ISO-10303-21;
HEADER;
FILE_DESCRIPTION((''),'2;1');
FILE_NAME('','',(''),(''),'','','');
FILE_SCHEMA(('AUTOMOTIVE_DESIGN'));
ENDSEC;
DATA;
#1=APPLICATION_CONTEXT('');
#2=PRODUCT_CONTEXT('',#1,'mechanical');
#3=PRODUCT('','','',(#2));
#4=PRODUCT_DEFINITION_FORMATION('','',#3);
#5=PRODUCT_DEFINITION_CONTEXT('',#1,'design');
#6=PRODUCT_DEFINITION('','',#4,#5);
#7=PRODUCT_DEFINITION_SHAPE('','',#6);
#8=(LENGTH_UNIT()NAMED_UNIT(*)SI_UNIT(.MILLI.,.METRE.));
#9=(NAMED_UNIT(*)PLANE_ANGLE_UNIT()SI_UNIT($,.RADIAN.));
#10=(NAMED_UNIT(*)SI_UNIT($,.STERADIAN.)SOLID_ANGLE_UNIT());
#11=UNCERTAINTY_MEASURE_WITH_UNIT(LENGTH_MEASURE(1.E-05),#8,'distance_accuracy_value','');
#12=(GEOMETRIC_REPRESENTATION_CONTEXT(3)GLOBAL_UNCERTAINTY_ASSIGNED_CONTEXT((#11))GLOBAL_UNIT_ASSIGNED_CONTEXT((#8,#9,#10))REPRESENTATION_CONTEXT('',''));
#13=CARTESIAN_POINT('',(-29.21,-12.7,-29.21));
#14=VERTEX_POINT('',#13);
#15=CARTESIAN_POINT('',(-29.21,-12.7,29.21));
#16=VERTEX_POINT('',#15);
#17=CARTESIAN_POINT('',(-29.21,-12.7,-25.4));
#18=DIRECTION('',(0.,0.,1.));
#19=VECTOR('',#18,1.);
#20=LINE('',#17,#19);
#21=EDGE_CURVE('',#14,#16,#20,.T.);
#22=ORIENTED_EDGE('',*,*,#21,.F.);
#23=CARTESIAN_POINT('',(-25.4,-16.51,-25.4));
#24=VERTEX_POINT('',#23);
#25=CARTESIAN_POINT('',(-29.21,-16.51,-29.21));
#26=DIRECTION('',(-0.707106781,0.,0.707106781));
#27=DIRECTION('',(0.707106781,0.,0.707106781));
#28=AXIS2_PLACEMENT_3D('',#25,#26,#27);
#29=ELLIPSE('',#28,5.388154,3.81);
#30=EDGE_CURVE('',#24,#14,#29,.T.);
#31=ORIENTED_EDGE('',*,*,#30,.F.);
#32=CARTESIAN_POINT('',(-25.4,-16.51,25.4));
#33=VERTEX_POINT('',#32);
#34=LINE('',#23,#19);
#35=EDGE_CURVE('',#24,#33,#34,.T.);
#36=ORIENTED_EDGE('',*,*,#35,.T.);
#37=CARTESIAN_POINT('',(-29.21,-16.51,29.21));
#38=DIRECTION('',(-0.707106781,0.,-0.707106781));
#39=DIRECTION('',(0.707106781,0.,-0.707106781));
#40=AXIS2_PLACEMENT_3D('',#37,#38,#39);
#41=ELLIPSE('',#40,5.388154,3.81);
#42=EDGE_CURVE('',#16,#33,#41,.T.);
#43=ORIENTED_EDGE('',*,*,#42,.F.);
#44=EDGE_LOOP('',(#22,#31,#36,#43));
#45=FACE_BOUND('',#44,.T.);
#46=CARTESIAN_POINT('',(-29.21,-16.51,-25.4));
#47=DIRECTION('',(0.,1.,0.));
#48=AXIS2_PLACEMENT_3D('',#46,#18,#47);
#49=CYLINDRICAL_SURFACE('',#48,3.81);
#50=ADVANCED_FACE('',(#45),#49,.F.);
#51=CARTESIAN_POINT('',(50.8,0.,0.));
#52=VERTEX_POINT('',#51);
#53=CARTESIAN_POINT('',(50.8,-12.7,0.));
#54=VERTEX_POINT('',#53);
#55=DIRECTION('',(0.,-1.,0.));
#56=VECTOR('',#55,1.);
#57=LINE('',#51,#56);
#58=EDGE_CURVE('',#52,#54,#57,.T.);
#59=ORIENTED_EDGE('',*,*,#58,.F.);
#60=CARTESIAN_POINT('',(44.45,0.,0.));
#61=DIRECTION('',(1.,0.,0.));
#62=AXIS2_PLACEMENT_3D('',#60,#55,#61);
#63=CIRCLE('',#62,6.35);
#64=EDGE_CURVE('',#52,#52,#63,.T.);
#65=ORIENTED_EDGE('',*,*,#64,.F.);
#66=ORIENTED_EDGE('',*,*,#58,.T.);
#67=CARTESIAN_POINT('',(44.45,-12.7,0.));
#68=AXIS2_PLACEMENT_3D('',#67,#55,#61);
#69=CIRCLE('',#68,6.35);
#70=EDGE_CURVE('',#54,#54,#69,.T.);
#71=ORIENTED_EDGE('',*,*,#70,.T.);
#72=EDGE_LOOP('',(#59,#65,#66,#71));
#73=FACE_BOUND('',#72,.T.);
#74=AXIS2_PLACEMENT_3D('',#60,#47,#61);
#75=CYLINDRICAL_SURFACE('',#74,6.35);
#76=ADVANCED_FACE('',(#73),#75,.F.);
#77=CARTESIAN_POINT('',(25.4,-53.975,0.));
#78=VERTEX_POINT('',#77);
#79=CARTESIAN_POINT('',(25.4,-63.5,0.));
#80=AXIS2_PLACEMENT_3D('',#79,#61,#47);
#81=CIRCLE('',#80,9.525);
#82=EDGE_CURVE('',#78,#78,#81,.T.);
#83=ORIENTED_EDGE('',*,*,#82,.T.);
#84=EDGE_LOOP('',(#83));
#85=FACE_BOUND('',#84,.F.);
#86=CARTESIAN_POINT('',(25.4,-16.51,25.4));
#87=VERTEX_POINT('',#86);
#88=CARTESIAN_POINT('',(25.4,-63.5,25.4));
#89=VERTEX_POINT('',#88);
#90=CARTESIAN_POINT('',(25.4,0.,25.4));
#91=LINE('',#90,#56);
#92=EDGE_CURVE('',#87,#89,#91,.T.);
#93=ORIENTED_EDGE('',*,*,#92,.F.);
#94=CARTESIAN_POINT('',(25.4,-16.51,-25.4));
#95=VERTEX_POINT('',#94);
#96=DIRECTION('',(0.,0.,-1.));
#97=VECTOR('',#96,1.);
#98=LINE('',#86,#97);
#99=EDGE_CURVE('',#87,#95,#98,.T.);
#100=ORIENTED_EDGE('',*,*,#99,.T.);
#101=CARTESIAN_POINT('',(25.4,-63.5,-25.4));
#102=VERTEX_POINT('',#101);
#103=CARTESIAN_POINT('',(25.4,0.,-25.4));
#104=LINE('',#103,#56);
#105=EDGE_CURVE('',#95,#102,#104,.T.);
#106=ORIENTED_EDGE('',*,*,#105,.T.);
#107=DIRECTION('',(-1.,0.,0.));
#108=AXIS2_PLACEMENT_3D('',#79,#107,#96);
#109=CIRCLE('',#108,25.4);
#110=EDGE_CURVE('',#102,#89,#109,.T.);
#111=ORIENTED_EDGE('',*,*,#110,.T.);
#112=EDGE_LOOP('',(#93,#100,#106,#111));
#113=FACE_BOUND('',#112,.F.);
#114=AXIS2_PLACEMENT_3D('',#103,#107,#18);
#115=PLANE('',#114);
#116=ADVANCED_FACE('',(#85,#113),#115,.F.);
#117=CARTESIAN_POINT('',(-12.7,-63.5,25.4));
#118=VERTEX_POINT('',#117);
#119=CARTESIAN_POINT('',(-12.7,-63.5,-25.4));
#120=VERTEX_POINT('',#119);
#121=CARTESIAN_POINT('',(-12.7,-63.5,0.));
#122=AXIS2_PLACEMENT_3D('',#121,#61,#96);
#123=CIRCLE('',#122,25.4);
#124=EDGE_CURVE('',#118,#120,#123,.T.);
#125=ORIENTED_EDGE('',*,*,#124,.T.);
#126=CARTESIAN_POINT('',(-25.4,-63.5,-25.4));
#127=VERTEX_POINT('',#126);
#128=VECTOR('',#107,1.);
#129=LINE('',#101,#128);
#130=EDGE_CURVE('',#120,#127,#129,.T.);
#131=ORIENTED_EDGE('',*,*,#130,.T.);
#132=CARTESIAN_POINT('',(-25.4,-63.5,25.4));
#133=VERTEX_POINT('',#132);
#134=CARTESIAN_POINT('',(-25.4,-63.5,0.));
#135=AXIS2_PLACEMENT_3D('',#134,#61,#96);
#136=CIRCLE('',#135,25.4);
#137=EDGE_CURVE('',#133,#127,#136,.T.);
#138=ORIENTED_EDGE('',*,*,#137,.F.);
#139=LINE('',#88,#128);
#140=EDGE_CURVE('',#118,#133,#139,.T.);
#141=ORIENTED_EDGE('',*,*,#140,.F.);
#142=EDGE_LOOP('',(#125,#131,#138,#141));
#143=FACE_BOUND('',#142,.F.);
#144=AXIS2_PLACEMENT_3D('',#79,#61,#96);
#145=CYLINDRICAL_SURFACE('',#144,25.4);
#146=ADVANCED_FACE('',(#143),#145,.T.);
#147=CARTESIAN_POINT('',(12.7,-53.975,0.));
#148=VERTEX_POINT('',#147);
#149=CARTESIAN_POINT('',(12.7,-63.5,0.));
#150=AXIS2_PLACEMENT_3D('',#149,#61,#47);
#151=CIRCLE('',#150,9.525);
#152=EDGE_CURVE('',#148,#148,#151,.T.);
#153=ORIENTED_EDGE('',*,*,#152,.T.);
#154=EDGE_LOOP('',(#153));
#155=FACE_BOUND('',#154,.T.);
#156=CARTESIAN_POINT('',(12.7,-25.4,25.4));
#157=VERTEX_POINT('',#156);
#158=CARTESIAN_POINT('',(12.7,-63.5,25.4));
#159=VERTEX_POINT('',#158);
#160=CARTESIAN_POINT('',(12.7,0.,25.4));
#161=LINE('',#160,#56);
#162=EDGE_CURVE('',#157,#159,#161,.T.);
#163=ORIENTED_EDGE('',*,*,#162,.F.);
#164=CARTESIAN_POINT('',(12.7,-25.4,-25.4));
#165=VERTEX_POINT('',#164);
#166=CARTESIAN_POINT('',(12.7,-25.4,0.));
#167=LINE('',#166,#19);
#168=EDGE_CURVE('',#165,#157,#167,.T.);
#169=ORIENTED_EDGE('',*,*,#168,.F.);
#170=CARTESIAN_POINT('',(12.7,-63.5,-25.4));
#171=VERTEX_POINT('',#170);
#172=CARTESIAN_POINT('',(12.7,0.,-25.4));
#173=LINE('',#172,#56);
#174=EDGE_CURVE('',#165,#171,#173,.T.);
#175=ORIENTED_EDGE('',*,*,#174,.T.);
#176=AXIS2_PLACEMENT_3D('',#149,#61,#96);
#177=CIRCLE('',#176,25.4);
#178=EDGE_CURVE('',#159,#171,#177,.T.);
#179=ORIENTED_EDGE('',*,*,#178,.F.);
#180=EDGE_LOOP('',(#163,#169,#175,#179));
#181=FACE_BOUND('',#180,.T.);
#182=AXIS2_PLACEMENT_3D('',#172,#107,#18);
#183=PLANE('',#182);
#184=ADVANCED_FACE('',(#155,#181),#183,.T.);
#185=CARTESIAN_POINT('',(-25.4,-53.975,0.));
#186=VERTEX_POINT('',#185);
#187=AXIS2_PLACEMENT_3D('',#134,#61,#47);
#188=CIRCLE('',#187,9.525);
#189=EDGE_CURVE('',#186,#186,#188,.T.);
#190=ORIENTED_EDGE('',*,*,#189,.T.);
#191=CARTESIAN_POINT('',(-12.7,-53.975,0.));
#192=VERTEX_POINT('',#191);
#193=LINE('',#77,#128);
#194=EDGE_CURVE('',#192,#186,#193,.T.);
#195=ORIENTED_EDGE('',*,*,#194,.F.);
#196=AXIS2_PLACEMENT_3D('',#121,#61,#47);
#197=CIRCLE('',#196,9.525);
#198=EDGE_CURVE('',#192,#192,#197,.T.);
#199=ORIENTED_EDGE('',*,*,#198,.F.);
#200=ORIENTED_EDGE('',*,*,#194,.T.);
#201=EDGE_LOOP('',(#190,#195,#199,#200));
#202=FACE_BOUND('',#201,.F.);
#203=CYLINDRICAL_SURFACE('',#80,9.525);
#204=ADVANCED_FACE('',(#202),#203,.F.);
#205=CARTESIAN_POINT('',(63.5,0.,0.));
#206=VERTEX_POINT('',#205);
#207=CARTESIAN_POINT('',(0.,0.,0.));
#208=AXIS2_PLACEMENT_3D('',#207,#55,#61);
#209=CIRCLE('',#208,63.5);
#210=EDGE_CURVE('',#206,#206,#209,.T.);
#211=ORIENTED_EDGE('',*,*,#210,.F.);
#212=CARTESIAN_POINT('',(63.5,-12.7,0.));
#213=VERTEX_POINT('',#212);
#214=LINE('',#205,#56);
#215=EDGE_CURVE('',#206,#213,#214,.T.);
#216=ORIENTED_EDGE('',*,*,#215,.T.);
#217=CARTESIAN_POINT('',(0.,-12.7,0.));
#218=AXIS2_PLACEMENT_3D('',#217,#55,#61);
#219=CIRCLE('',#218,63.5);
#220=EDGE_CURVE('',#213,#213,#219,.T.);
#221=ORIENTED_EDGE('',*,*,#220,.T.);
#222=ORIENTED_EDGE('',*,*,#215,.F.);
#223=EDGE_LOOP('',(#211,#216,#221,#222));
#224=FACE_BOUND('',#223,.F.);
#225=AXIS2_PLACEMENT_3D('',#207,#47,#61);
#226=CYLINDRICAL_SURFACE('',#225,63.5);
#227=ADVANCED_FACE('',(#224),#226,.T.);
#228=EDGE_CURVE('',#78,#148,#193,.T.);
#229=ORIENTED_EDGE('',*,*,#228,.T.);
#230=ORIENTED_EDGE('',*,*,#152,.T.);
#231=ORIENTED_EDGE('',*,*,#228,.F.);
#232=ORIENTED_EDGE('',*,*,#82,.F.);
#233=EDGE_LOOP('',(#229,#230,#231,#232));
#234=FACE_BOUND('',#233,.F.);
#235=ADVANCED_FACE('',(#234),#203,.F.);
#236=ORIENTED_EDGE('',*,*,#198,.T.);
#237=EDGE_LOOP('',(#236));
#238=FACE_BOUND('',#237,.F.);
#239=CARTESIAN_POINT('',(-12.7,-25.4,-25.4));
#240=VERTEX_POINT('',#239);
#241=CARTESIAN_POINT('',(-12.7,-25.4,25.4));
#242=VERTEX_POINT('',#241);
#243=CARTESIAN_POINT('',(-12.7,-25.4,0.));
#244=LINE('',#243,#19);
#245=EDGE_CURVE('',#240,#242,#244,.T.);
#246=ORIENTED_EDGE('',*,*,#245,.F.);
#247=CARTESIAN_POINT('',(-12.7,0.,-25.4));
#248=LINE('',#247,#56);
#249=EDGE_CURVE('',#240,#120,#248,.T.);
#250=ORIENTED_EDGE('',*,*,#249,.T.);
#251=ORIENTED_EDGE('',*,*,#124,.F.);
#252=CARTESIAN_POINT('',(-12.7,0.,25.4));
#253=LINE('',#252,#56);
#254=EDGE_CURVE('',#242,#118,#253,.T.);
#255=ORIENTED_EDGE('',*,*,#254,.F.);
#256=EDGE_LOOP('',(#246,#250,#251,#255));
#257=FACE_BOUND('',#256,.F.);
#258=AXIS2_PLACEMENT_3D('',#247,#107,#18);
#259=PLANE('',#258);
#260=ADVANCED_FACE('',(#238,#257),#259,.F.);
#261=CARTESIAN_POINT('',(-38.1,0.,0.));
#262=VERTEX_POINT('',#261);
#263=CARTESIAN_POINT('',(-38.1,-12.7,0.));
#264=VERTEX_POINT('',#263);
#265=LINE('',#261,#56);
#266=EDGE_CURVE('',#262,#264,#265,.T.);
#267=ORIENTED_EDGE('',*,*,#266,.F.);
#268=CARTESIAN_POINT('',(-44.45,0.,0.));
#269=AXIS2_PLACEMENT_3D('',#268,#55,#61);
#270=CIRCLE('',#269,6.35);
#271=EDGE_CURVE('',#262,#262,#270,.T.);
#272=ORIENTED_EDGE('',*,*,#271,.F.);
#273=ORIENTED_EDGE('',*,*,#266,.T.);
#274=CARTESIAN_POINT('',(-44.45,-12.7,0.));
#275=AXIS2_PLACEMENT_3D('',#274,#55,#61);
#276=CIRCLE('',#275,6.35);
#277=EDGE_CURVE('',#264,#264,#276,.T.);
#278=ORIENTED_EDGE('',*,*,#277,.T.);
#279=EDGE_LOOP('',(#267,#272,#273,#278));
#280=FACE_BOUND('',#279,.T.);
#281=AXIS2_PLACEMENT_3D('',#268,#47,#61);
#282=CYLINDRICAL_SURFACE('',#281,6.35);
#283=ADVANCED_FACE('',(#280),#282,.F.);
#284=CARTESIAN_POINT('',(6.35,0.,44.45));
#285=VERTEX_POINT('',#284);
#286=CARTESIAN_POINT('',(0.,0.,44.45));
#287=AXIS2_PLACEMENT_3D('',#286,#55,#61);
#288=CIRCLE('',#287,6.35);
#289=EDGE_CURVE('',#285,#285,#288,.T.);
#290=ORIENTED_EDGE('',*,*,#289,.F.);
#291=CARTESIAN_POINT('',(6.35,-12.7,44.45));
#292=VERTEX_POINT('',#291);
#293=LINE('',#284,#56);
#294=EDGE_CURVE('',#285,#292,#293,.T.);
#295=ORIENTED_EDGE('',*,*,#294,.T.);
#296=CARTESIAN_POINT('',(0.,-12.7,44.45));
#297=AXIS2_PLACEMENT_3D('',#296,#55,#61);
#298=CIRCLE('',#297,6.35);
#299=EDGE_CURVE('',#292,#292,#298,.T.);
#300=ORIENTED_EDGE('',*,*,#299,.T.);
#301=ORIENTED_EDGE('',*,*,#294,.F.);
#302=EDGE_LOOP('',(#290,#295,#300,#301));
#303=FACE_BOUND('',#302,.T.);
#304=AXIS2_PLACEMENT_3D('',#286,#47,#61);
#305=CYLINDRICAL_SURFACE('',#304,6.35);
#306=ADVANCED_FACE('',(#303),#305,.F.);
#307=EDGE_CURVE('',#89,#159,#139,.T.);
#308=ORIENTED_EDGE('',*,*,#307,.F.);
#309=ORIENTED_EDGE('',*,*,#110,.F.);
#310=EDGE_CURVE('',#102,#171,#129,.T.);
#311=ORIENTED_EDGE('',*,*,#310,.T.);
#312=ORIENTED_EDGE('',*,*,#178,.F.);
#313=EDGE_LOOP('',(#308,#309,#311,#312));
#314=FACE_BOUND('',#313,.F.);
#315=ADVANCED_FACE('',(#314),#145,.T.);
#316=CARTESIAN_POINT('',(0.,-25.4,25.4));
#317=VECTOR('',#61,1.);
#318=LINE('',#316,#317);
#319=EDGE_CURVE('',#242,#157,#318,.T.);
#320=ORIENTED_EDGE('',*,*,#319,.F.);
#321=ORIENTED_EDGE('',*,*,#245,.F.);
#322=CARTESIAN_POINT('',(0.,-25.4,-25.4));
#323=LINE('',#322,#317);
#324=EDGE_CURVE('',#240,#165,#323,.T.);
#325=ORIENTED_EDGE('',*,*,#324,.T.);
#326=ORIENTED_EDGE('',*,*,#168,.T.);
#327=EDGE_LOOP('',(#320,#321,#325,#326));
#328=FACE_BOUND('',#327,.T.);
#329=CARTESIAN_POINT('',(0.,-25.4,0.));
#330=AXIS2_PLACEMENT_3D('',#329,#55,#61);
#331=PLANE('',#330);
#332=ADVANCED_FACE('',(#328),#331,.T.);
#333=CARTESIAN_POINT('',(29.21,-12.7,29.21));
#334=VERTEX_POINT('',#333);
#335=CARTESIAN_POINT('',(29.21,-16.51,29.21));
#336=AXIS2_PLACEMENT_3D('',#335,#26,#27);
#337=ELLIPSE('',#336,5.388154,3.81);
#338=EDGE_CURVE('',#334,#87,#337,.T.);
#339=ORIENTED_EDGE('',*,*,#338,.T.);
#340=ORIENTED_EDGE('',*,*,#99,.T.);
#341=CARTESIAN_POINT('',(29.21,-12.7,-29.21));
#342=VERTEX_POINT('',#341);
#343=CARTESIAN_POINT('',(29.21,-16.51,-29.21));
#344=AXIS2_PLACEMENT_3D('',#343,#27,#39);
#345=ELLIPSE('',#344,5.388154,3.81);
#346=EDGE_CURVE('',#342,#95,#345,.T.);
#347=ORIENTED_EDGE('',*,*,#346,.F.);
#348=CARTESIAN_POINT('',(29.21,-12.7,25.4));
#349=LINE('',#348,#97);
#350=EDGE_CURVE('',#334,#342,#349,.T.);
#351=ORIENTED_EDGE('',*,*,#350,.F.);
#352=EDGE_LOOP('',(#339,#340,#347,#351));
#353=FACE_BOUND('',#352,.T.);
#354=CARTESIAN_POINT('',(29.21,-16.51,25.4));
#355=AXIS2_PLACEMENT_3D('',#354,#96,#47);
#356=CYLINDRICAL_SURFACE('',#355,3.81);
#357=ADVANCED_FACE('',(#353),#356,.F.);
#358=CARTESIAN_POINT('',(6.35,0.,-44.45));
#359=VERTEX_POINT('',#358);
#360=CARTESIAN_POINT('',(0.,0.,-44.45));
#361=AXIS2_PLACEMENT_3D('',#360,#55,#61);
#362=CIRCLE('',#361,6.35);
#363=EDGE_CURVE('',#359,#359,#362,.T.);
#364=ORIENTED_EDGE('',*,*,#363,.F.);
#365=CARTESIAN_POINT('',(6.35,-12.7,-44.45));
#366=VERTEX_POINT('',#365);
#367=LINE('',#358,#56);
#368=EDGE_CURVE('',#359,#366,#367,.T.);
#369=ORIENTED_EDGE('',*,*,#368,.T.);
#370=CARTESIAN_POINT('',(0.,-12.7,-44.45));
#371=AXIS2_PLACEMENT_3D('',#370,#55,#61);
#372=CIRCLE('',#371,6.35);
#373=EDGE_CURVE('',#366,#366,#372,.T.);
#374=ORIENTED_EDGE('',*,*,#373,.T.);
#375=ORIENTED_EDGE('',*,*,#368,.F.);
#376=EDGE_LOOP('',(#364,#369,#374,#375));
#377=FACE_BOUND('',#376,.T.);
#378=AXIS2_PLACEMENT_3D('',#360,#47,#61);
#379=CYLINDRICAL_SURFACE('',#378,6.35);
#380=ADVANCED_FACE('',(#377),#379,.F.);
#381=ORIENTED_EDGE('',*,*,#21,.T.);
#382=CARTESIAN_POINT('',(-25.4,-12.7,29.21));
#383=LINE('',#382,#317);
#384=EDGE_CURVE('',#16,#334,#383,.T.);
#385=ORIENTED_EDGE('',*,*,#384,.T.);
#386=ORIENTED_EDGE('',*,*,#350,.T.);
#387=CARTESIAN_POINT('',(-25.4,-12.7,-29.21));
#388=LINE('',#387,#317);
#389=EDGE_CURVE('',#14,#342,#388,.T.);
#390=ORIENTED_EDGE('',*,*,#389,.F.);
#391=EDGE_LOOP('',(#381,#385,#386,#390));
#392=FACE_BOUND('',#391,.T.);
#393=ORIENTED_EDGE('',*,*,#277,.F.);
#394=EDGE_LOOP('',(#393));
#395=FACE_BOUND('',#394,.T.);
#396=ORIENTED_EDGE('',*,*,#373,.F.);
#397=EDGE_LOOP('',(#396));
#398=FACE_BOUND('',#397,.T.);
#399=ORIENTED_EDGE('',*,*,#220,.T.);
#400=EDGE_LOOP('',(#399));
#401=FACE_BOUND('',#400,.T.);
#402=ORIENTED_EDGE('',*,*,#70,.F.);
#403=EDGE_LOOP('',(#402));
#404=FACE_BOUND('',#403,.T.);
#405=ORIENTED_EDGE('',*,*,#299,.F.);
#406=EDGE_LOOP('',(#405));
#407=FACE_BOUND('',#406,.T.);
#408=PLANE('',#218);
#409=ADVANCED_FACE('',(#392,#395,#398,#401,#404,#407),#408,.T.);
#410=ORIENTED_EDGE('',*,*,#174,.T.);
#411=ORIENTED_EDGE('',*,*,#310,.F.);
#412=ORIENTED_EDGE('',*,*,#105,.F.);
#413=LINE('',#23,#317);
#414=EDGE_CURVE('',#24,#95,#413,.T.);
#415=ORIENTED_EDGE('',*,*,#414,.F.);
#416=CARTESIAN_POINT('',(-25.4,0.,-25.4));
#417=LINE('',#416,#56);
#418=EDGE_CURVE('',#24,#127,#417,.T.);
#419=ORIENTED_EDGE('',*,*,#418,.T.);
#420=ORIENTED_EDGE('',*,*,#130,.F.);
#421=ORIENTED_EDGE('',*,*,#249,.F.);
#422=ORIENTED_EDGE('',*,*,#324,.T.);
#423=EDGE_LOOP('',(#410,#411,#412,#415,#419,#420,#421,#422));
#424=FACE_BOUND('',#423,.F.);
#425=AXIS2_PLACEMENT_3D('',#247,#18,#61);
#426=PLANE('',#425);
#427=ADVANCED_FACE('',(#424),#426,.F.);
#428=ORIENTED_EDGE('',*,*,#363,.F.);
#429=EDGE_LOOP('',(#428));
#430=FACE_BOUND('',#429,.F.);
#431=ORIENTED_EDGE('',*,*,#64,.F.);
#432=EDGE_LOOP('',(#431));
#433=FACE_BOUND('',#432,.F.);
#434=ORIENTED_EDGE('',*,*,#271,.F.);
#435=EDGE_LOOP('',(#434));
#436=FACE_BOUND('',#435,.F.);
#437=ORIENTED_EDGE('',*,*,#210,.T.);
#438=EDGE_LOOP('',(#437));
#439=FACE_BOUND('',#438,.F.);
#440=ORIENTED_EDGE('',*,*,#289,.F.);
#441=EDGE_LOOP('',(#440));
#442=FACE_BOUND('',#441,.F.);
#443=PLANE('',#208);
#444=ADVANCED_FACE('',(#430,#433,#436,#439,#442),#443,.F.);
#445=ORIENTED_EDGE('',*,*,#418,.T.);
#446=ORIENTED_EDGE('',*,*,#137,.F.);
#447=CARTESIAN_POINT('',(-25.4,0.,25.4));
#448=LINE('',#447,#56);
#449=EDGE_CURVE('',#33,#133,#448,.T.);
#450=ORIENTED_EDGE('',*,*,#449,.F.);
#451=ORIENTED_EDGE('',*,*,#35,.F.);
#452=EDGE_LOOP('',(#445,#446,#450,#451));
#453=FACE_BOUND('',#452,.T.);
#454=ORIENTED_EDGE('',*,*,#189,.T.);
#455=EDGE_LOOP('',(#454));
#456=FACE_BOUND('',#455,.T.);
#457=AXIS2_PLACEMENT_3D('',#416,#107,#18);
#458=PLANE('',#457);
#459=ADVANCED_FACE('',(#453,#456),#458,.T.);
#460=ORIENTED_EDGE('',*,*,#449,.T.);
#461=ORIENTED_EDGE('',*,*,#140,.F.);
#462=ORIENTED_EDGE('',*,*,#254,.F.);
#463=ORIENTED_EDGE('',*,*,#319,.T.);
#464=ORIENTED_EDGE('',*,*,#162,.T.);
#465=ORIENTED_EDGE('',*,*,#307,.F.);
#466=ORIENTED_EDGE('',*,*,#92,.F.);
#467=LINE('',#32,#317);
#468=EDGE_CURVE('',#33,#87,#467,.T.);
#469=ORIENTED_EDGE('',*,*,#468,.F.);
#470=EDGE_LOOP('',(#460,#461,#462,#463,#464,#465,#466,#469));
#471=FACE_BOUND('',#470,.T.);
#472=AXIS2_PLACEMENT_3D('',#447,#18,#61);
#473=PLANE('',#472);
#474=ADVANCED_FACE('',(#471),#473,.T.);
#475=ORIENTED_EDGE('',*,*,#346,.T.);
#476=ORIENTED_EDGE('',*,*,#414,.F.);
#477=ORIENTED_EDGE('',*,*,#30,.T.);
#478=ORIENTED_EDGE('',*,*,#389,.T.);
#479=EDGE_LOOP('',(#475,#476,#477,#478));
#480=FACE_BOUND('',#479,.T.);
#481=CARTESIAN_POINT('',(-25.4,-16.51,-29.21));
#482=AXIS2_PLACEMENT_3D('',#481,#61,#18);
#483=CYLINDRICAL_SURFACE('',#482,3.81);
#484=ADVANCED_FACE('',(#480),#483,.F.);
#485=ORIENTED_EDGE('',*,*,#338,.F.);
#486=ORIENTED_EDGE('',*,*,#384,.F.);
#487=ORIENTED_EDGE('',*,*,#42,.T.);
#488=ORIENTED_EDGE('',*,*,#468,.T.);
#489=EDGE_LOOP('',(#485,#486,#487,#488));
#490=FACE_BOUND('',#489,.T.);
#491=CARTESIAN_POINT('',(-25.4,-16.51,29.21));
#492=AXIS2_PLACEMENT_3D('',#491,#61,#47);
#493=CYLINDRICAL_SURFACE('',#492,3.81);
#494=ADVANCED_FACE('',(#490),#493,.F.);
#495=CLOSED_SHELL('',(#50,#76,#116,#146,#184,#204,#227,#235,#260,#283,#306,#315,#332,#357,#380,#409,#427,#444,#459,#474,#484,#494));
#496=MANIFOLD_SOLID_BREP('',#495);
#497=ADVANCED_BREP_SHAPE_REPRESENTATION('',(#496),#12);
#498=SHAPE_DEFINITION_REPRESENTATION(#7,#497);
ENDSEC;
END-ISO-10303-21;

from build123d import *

# Parameters (mm, degrees)
F0_R     = 63.5
F0_R_2   = 6.35
F1_DEPTH = 12.7
F0_W     = 12.7
F0_H     = 50.8
F2_DEPTH = 127
F0_W_2   = 25.4
F3_DEPTH = 25.4
F4_R     = 9.525
F5_DEPTH = 254
F6_R     = 3.81


with BuildPart() as f1:
    # F0 (on Front) → F1 (new body)
    with BuildSketch(Plane.XZ):
        Circle(F0_R)
        with Locations((0, -44.45)):
            Circle(F0_R_2, mode=Mode.SUBTRACT)
        with Locations((-44.45, 0)):
            Circle(F0_R_2, mode=Mode.SUBTRACT)
        Polygon((-25.4, -25.4), (-25.4, 25.4), (-12.7, 25.4), (12.7, 25.4), (25.4, 25.4), (25.4, -25.4), (12.7, -25.4), (-12.7, -25.4), align=None, mode=Mode.SUBTRACT)
        with Locations((44.45, 0)):
            Circle(F0_R_2, mode=Mode.SUBTRACT)
        with Locations((0, 44.45)):
            Circle(F0_R_2, mode=Mode.SUBTRACT)
    extrude(amount=F1_DEPTH)

    # F0 (on Front) → F2 (join)
    with BuildSketch(Plane.XZ):
        with Locations((-19.05, 0)):
            Rectangle(F0_W, F0_H)
        with Locations((19.05, 0)):
            Rectangle(F0_W, F0_H)
    extrude(amount=F2_DEPTH)

    # F0 (on Front) → F3 (join)
    with BuildSketch(Plane.XZ):
        Rectangle(F0_W_2, F0_H)
    extrude(amount=F3_DEPTH)

    # F4 (on face) → F5 (cut)
    with BuildSketch(Plane.YZ.offset(25.4)):
        with BuildLine():
            Line((-127, -25.4), (-63.5, -25.4))
            ThreePointArc((-63.5, -25.4), (-88.9, 0), (-63.5, 25.4))
            Line((-63.5, 25.4), (-127, 25.4))
            Line((-127, 25.4), (-127, -25.4))
        make_face()
        with Locations((-63.5, 0)):
            Circle(F4_R)
    extrude(amount=-F5_DEPTH, mode=Mode.SUBTRACT)

    # F6
    f6_edges = [f1.edges().sort_by_distance(p)[0] for p in [
        (0, -12.7, 25.4),
        (25.4, -12.7, 0),
        (0, -12.7, -25.4),
        (-25.4, -12.7, 0),
    ]]
    fillet(f6_edges, radius=F6_R)


solid = f1.part
